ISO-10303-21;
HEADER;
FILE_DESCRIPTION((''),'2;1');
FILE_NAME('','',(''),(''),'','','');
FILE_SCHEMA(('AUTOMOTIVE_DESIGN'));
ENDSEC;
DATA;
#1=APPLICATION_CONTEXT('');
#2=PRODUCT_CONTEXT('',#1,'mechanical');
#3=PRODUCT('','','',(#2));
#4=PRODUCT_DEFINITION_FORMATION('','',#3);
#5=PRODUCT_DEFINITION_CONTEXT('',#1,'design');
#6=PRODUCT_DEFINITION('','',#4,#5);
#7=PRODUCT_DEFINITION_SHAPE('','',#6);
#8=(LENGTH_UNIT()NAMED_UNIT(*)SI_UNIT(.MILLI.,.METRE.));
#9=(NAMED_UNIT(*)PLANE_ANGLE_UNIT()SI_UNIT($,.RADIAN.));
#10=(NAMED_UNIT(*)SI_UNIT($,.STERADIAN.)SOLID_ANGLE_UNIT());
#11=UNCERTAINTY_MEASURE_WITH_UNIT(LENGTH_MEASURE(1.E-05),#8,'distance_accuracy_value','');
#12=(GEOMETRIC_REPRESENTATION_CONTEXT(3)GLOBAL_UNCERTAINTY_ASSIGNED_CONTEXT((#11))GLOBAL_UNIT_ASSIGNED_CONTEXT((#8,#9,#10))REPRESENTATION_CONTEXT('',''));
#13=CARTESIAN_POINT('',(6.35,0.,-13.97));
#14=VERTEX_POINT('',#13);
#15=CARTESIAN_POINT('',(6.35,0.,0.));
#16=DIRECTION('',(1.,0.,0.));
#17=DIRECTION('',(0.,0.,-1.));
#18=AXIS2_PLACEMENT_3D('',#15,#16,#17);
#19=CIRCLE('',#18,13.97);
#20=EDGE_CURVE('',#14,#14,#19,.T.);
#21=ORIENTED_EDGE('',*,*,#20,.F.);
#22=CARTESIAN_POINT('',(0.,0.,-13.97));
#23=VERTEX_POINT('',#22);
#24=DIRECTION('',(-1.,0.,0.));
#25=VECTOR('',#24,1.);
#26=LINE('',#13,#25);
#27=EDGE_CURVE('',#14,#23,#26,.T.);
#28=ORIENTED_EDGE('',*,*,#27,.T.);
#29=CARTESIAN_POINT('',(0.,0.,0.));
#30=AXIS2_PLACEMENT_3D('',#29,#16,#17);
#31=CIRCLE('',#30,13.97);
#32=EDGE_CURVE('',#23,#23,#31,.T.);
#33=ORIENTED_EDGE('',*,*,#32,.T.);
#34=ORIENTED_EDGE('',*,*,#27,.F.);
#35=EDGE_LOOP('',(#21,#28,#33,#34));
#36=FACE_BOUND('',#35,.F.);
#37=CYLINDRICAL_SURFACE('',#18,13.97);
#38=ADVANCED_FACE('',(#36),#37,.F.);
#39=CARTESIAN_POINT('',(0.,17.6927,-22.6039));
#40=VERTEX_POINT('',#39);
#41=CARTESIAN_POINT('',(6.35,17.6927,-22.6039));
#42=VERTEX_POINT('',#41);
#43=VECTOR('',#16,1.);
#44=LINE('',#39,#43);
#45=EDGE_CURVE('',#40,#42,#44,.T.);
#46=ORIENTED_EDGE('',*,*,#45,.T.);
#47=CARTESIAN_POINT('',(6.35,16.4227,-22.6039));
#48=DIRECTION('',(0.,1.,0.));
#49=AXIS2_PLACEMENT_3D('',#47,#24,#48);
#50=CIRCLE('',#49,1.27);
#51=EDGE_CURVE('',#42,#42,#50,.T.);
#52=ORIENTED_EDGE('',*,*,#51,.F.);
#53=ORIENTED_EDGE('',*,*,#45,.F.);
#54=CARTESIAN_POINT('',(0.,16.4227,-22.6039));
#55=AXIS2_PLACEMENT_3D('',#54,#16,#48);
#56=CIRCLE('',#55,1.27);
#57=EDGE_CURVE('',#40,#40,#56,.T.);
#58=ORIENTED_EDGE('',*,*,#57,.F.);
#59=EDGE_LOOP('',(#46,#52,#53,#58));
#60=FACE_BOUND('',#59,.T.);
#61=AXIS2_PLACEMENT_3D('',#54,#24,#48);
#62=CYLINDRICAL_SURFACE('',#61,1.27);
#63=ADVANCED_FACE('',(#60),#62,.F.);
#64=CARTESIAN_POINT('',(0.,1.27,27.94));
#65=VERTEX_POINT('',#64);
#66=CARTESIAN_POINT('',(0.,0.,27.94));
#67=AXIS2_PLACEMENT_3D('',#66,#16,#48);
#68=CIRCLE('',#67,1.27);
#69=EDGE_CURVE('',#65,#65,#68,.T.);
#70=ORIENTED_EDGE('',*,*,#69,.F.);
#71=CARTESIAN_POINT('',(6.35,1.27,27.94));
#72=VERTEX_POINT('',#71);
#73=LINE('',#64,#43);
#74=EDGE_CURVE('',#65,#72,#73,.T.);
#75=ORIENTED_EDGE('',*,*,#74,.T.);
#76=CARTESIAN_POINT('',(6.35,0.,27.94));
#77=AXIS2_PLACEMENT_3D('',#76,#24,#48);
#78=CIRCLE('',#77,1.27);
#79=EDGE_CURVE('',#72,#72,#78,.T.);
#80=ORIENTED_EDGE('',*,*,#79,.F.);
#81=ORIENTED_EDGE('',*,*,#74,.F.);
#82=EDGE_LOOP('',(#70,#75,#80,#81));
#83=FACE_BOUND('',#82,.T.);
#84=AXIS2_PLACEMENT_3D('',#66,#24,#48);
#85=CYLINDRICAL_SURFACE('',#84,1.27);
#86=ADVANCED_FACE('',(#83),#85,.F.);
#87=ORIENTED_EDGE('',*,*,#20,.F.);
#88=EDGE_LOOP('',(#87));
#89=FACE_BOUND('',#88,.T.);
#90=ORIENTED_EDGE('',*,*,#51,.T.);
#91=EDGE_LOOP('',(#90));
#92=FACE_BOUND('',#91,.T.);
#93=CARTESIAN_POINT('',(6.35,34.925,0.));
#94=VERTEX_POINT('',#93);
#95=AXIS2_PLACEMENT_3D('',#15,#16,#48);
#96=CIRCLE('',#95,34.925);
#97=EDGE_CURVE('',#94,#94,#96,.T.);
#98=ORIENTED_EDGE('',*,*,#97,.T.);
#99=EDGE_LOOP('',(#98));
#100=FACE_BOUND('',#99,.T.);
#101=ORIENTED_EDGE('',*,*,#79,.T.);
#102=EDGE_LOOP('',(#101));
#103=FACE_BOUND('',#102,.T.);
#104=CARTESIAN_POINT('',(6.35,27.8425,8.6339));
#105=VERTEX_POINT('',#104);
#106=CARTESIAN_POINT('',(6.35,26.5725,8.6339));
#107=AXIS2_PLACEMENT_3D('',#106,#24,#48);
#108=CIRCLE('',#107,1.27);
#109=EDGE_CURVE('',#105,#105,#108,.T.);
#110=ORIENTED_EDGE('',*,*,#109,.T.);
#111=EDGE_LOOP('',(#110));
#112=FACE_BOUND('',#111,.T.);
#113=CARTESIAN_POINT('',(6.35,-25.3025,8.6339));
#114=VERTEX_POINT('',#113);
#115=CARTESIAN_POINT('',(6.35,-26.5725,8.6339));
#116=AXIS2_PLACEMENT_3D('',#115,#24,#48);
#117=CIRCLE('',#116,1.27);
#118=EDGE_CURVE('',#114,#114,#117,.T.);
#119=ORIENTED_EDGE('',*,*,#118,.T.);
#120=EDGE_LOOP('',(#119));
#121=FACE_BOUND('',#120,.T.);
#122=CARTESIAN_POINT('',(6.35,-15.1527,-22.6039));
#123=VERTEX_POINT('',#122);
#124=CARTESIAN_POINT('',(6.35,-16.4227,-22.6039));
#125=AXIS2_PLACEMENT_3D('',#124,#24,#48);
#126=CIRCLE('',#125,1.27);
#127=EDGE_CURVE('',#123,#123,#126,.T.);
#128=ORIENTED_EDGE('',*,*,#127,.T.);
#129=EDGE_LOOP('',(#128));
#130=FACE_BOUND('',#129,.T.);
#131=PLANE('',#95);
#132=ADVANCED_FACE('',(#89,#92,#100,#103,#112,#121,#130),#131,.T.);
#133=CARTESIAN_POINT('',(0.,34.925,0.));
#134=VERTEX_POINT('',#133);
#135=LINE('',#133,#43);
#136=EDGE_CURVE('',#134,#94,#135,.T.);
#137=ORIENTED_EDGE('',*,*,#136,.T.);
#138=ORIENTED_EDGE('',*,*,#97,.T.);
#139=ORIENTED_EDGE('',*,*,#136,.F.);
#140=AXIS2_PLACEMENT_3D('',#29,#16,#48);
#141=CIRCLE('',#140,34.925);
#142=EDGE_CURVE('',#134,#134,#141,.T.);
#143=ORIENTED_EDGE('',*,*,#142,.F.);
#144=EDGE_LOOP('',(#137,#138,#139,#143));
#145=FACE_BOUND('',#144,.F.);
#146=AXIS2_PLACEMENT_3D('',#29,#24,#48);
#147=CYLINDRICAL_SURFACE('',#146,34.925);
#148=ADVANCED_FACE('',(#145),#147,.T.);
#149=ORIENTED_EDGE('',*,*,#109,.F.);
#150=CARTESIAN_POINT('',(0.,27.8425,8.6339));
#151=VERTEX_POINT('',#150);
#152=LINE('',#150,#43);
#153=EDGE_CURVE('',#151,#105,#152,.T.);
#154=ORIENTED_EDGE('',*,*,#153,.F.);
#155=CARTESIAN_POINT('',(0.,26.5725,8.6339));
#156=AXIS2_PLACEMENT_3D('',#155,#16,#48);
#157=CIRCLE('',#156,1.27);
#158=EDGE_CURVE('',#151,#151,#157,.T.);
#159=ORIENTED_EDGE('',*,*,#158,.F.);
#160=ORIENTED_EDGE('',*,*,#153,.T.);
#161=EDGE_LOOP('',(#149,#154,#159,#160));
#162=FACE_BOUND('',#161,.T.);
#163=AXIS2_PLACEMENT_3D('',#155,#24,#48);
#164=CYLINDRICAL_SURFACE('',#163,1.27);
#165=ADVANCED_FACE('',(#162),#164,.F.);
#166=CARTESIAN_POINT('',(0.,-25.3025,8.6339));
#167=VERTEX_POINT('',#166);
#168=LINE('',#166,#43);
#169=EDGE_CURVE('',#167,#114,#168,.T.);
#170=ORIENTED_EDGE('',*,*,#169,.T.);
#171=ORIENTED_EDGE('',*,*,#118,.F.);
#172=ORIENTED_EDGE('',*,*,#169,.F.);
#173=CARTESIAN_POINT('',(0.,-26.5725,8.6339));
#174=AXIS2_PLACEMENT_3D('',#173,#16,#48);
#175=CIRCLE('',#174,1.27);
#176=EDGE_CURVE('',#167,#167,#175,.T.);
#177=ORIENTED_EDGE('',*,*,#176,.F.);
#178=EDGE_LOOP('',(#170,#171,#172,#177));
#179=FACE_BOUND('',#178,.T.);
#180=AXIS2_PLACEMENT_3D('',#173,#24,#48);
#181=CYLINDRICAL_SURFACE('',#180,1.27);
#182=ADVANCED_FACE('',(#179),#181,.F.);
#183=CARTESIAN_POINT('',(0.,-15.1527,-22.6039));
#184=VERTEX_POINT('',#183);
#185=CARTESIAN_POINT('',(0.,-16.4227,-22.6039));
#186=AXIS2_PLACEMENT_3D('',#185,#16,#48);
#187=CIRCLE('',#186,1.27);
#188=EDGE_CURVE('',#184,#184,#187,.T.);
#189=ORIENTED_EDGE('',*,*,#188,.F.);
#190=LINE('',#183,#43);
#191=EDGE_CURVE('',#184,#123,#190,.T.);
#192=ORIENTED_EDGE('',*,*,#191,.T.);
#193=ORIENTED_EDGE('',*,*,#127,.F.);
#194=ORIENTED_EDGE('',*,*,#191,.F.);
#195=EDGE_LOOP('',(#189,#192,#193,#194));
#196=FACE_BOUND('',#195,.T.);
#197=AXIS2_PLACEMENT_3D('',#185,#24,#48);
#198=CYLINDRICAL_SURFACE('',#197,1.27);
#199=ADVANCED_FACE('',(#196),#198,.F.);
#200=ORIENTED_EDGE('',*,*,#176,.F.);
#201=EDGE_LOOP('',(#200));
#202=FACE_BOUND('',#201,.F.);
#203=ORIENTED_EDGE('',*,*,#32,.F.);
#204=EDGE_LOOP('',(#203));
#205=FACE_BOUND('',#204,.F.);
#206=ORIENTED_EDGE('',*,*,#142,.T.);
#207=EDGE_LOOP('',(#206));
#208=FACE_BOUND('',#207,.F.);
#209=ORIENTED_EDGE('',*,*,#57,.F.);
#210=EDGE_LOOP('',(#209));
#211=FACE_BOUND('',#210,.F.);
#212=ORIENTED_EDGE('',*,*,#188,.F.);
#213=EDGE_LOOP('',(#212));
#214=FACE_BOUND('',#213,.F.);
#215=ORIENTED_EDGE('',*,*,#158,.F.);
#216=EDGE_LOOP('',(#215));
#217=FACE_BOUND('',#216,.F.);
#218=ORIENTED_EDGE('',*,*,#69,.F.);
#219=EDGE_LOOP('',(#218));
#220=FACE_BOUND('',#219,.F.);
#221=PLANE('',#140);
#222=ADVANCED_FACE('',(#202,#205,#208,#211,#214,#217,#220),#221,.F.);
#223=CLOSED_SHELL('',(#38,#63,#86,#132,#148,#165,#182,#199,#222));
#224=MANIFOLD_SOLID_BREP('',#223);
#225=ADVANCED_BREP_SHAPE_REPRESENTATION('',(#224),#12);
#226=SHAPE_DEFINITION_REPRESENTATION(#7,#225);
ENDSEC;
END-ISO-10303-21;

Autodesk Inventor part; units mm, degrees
ref_plane "YZ Plane" through (0, 0, 0) normal (1, 0, 0) x (0, 1, 0)
ref_plane "XZ Plane" through (0, 0, 0) normal (0, 1, 0) x (-1, 0, 0)
ref_plane "XY Plane" through (0, 0, 0) normal (0, 0, 1) x (1, 0, 0)
sketch "Sketch1" plane through (0, 0, 0) normal (1, 0, 0) x (0, 1, 0)
  circle A0 centre (0, 0) radius 13.335
  circle A1 centre (0, 0) radius 34.925
  circle A2 centre (0, 27.94) radius 1.27
  circle A3 centre (0, 0) radius 27.94
  circle A4 centre (26.5725, 8.6339) radius 1.27
  circle A5 centre (16.4227, -22.6039) radius 1.27
  circle A6 centre (-16.4227, -22.6039) radius 1.27
  circle A7 centre (-26.5725, 8.6339) radius 1.27
  dimension "d4" = 55.88
  dimension "d0" = 26.67
  dimension "d1" = 69.85
  dimension "d2" = 2.54
  dimension "d7" = 360
extrude "Extrusion1" add sketch "Sketch1" along normal blind 6.35 contours A1 | A2 A3 A4 A5 A6 A7
sketch "Sketch2" plane through (6.35, 0, 0) normal (1, 0, 0) x (0, 0, -1)
  circle A0 centre (0, 0) radius 13.97
  dimension "d11" = 27.94
extrude "Extrusion2" cut sketch "Sketch2" against normal blind 11.1125
properties part number "panel bushing support"
